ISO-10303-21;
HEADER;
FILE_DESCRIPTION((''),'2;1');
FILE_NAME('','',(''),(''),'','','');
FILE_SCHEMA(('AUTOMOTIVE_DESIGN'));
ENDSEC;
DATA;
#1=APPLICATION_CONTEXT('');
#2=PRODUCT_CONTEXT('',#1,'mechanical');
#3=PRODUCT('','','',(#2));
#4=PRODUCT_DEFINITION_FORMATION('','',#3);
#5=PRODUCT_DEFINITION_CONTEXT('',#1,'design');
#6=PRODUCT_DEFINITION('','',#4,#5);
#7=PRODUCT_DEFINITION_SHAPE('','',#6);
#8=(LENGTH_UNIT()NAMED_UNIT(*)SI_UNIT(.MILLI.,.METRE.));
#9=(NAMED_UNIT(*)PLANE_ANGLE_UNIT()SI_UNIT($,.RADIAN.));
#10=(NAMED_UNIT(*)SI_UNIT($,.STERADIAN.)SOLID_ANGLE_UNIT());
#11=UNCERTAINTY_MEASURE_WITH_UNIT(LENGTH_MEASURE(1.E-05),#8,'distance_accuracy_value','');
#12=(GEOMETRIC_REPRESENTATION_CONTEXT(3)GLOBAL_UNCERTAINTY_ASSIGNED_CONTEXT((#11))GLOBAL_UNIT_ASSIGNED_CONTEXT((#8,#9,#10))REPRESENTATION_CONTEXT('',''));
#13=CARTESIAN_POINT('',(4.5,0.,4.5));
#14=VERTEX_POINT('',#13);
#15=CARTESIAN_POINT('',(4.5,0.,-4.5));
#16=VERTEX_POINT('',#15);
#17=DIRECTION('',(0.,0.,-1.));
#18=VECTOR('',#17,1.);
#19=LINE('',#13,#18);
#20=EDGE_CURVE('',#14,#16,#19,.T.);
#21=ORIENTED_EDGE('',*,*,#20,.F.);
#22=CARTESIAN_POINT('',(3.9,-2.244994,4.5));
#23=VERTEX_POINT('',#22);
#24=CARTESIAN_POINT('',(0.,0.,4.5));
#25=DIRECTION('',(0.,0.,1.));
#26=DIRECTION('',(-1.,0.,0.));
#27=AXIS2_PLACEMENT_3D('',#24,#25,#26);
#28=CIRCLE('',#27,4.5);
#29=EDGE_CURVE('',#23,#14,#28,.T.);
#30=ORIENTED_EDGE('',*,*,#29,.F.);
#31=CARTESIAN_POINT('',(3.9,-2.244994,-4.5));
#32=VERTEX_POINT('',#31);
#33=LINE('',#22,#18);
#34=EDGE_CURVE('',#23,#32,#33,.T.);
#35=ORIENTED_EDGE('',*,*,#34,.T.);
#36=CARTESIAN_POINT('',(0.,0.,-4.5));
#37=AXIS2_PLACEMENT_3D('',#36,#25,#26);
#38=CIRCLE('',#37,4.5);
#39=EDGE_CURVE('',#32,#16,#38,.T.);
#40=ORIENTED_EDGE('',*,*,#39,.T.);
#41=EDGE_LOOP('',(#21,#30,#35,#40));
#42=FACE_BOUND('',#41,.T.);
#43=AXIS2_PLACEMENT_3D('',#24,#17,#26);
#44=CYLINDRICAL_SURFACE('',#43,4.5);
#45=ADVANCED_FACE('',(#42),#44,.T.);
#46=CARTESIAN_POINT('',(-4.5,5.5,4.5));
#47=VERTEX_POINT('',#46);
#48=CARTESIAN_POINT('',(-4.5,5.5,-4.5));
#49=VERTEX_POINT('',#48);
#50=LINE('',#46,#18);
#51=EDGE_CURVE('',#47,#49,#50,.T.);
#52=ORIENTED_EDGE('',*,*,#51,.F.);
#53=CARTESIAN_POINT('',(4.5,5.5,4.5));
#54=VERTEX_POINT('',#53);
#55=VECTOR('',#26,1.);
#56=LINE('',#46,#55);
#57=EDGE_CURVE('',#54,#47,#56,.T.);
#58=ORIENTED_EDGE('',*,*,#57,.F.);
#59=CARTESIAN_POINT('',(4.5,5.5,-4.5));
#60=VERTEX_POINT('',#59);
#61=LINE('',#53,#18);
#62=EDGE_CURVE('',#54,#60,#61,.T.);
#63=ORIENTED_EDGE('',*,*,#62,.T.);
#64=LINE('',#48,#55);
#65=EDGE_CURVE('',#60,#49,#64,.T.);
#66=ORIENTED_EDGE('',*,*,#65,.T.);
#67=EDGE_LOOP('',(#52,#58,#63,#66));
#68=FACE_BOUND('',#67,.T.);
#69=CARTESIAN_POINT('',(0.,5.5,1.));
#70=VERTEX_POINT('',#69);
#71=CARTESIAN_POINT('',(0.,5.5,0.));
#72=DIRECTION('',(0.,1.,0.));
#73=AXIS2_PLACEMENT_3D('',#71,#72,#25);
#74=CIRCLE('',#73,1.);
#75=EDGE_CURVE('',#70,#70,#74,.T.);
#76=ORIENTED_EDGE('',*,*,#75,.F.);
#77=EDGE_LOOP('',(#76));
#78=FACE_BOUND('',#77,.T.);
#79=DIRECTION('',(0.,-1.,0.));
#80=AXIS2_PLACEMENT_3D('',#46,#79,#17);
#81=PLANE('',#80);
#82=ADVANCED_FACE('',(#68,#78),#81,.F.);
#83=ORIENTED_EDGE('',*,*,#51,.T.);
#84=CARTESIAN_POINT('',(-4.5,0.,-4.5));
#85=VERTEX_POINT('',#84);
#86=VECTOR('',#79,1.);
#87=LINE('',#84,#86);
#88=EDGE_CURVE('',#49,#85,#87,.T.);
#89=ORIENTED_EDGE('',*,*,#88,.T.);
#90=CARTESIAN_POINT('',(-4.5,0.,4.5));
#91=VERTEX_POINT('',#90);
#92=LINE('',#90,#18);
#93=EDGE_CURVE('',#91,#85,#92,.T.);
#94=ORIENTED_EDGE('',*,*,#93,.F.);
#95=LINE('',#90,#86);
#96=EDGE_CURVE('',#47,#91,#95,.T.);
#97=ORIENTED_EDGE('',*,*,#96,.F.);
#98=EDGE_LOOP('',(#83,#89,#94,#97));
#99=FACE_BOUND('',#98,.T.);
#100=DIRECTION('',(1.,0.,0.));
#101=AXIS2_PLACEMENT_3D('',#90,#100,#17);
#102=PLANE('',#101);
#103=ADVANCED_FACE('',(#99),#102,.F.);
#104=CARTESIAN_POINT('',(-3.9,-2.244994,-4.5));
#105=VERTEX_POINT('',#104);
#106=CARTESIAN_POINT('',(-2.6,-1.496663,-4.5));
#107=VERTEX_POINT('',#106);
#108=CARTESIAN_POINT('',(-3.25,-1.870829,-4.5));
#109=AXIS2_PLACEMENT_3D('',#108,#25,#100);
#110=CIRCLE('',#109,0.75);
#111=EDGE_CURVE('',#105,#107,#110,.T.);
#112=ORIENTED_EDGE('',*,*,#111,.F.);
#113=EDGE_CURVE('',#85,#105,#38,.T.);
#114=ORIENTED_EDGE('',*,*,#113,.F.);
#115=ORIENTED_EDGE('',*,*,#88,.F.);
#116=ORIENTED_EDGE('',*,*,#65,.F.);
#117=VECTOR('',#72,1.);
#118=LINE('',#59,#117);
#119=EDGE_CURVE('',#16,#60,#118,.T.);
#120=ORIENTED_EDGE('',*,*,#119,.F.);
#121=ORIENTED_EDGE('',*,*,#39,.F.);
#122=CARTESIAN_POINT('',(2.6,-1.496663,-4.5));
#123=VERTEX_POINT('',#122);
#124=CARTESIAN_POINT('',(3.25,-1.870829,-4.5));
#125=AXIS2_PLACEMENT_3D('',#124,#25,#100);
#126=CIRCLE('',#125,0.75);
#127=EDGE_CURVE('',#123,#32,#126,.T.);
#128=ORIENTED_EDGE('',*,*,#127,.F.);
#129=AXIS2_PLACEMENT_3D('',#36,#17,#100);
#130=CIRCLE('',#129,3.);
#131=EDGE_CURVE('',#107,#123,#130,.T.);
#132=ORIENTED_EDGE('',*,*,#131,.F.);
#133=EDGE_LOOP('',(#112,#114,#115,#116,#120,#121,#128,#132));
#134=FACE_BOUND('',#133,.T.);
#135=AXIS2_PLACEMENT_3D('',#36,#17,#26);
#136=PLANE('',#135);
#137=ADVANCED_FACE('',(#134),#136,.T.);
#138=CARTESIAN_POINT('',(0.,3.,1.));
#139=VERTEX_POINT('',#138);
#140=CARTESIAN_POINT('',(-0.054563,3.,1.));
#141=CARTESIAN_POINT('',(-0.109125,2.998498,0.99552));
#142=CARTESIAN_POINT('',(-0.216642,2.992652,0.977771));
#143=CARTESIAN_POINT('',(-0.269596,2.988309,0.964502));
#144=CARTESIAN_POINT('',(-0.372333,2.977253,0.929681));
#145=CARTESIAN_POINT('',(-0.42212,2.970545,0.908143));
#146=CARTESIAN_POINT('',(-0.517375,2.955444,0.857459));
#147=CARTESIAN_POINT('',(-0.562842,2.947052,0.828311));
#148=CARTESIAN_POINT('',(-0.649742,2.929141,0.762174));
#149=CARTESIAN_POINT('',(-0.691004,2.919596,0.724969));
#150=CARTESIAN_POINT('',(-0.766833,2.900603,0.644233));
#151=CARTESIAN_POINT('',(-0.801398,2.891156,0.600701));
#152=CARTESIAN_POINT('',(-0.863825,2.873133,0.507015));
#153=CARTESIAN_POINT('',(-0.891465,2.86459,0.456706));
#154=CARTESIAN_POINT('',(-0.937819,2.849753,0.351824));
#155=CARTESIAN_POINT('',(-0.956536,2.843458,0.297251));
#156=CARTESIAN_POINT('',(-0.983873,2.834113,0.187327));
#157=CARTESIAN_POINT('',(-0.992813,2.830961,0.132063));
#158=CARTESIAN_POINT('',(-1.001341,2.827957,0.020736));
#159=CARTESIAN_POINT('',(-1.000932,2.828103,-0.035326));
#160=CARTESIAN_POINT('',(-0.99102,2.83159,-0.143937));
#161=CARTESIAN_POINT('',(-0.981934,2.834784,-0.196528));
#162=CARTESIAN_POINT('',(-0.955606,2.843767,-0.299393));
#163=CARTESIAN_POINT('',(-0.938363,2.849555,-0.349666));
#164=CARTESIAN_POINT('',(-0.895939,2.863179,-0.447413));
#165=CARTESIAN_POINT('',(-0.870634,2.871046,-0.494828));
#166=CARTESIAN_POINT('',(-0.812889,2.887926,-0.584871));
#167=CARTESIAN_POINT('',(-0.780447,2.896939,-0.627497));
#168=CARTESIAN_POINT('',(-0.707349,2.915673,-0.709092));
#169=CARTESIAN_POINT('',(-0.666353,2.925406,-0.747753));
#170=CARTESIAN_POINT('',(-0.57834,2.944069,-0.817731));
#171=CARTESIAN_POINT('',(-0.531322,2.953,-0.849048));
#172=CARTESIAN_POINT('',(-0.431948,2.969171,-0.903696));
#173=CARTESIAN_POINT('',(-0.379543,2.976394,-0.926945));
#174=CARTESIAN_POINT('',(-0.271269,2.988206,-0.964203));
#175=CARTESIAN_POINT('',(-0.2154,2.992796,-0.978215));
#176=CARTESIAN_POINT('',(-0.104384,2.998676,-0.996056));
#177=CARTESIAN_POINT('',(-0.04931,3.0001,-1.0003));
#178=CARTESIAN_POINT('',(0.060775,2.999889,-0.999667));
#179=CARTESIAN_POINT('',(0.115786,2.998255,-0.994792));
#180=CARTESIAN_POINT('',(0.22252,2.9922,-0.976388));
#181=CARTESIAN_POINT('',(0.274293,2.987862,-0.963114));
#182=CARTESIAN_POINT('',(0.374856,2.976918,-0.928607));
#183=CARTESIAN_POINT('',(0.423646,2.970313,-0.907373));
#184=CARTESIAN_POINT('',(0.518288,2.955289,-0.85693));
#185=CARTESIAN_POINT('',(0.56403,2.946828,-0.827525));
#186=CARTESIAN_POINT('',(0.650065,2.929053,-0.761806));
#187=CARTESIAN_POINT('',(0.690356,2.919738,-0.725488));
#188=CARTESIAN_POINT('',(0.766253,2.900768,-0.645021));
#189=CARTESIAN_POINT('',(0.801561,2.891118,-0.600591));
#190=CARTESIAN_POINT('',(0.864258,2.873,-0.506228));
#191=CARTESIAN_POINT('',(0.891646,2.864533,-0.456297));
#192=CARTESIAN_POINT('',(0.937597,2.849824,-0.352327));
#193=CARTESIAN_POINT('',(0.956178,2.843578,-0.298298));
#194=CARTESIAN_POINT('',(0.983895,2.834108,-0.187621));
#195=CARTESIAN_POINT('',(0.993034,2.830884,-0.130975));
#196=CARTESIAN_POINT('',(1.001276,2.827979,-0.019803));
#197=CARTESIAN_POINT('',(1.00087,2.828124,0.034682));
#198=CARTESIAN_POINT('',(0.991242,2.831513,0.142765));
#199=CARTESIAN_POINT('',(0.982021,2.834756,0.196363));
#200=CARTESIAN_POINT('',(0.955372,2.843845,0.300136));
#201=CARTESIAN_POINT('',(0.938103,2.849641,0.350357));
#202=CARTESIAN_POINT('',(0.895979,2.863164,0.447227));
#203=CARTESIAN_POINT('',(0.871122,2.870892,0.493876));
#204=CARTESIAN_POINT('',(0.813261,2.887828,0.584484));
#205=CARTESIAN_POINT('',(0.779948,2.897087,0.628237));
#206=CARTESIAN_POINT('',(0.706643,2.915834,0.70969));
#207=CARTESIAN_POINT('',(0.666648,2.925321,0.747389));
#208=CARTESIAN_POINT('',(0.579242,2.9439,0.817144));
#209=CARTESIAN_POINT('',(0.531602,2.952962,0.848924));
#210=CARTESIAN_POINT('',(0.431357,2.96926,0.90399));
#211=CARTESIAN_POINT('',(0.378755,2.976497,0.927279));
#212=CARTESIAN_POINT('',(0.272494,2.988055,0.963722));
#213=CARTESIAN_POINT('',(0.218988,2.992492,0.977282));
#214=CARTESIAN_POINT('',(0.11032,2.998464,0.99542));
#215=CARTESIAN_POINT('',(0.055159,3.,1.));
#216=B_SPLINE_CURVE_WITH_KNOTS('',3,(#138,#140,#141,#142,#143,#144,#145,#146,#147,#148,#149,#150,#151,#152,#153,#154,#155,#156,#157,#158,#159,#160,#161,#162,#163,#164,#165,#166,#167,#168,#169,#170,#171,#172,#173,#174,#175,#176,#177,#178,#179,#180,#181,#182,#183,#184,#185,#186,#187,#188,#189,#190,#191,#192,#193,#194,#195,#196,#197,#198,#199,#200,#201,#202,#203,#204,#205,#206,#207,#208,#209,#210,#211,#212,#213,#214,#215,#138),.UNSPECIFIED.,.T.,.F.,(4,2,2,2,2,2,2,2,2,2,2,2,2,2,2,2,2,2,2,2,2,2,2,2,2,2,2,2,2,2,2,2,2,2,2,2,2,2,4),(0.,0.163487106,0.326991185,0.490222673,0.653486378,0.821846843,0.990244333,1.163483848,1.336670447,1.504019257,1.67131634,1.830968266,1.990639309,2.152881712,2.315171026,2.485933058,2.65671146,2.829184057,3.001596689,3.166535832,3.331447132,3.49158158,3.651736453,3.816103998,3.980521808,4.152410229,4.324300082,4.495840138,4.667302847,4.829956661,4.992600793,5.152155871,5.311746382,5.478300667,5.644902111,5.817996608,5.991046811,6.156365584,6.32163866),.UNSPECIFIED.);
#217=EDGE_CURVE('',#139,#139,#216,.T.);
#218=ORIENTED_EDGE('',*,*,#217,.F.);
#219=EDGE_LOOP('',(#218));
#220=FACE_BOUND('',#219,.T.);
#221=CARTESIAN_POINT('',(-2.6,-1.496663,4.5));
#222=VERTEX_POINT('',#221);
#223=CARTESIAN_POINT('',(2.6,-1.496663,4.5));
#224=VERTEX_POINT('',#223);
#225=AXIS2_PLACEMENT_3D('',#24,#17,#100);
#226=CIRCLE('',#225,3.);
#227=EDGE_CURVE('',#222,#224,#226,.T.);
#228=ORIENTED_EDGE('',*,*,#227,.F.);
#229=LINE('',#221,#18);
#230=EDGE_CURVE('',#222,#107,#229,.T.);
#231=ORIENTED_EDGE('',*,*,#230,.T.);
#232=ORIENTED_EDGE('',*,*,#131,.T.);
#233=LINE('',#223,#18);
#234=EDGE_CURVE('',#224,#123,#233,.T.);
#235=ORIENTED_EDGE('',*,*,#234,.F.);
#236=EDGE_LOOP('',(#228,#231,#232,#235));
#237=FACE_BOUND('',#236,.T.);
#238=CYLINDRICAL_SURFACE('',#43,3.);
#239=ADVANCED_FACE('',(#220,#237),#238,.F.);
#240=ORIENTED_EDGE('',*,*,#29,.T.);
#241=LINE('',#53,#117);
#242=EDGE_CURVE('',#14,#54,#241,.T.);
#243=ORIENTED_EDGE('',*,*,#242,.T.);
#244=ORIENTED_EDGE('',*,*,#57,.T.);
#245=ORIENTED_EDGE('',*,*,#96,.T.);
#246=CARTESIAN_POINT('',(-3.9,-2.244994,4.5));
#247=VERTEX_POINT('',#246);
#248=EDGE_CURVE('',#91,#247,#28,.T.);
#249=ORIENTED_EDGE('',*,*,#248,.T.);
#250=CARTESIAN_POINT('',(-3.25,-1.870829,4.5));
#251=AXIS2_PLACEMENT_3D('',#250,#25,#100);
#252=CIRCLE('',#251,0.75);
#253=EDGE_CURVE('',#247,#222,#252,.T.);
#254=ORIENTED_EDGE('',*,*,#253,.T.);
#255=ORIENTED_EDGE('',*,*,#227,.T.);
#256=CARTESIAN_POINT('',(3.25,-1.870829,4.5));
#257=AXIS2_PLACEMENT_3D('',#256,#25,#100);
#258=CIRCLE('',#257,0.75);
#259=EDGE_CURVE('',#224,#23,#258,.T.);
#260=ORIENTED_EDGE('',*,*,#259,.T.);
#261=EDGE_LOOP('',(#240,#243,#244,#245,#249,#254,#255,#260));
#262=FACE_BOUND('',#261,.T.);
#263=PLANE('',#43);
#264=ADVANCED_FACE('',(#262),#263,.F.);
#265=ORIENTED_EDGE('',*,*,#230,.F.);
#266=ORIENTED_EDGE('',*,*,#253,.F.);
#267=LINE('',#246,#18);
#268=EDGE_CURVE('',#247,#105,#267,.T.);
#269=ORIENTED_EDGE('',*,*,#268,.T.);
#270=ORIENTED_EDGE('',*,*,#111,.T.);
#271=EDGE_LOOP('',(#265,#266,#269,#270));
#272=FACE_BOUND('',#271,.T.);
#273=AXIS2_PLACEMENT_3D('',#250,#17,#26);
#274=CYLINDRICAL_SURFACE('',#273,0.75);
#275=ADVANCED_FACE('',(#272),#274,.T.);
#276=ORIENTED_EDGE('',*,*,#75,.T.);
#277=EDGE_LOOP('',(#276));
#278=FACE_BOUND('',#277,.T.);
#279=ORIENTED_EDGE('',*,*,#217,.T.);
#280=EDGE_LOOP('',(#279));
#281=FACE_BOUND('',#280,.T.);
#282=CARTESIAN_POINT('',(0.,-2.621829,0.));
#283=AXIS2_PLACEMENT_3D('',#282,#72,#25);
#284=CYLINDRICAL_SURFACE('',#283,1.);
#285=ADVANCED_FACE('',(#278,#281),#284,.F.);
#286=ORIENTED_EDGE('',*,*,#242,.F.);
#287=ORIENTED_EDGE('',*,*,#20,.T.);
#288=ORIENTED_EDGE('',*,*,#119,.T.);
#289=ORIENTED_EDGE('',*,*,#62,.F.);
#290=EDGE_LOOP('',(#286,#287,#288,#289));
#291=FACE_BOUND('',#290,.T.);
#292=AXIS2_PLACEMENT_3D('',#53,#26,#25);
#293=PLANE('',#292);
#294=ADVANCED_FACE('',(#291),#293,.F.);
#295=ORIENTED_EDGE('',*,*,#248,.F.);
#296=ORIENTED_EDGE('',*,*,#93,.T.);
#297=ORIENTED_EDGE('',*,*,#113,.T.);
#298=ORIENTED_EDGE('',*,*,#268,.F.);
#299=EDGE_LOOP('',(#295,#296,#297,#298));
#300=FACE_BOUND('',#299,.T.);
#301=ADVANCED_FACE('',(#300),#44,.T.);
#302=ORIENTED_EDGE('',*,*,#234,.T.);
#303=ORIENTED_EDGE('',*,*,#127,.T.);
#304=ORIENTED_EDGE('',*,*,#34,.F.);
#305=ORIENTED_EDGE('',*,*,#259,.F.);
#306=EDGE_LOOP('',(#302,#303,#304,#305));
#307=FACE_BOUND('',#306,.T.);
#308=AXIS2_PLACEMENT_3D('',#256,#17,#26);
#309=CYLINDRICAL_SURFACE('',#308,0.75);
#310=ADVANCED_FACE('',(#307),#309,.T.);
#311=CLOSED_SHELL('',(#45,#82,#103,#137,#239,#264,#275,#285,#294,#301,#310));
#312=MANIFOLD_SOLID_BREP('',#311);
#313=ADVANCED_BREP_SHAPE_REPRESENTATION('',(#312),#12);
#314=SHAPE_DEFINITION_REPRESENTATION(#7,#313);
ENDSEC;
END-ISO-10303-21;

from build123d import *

# Parameters (mm, degrees)
AUFSATZ_LINEAR_AUSTRAGEN1_DEPTH      = 4.5
SCHNITT_LINEAR_AUSTRAGEN1_REACH      = 12.317
SCHNITT_LINEAR_AUSTRAGEN1_END_RADIUS = 3
SKIZZE3_R                            = 1


with BuildPart() as part:
    # Skizze1 → Aufsatz-Linear austragen1 (new, symmetric)
    with BuildSketch(Plane.XY):
        with BuildLine():
            Line((-4.5, 5.5), (4.5, 5.5))
            Line((4.5, 5.5), (4.5, 0))
            ThreePointArc((4.5, 0), (4.347413024, -1.161895004), (3.9, -2.244994432))
            ThreePointArc((3.9, -2.244994432), (2.875834261, -2.520828693), (2.6, -1.496662955))
            ThreePointArc((2.6, -1.496662955), (0, 3), (-2.6, -1.496662955))
            ThreePointArc((-2.6, -1.496662955), (-2.875834261, -2.520828693), (-3.9, -2.244994432))
            ThreePointArc((-3.9, -2.244994432), (-4.347413024, -1.161895004), (-4.5, 0))
            Line((-4.5, 0), (-4.5, 5.5))
        make_face()
    extrude(amount=AUFSATZ_LINEAR_AUSTRAGEN1_DEPTH, both=True)

    # Schnitt-Linear austragen1: up to this cylinder (the profile starts outside it)
    schnitt_linear_austragen1_end = Plane(origin=(0, 0, 0), z_dir=(0, 0, -1)) * Cylinder(SCHNITT_LINEAR_AUSTRAGEN1_END_RADIUS, 31.634, mode=Mode.PRIVATE)
    # Skizze3 → Schnitt-Linear austragen1 (cut, up to the surface)
    with BuildSketch(Plane(origin=(0, 5.5, 0), x_dir=(1, 0, 0), z_dir=(0, 1, 0)), mode=Mode.PRIVATE) as schnitt_linear_austragen1_sk1:
        with Locations(Location((0, 0, 0), (0, 0, 270))):
            Circle(SKIZZE3_R)
    schnitt_linear_austragen1_tool1 = extrude(schnitt_linear_austragen1_sk1.sketch, amount=-SCHNITT_LINEAR_AUSTRAGEN1_REACH, mode=Mode.PRIVATE) - schnitt_linear_austragen1_end
    add(schnitt_linear_austragen1_tool1.solids().sort_by_distance((0, 5.5, 0))[0], mode=Mode.SUBTRACT)


solid = part.part
